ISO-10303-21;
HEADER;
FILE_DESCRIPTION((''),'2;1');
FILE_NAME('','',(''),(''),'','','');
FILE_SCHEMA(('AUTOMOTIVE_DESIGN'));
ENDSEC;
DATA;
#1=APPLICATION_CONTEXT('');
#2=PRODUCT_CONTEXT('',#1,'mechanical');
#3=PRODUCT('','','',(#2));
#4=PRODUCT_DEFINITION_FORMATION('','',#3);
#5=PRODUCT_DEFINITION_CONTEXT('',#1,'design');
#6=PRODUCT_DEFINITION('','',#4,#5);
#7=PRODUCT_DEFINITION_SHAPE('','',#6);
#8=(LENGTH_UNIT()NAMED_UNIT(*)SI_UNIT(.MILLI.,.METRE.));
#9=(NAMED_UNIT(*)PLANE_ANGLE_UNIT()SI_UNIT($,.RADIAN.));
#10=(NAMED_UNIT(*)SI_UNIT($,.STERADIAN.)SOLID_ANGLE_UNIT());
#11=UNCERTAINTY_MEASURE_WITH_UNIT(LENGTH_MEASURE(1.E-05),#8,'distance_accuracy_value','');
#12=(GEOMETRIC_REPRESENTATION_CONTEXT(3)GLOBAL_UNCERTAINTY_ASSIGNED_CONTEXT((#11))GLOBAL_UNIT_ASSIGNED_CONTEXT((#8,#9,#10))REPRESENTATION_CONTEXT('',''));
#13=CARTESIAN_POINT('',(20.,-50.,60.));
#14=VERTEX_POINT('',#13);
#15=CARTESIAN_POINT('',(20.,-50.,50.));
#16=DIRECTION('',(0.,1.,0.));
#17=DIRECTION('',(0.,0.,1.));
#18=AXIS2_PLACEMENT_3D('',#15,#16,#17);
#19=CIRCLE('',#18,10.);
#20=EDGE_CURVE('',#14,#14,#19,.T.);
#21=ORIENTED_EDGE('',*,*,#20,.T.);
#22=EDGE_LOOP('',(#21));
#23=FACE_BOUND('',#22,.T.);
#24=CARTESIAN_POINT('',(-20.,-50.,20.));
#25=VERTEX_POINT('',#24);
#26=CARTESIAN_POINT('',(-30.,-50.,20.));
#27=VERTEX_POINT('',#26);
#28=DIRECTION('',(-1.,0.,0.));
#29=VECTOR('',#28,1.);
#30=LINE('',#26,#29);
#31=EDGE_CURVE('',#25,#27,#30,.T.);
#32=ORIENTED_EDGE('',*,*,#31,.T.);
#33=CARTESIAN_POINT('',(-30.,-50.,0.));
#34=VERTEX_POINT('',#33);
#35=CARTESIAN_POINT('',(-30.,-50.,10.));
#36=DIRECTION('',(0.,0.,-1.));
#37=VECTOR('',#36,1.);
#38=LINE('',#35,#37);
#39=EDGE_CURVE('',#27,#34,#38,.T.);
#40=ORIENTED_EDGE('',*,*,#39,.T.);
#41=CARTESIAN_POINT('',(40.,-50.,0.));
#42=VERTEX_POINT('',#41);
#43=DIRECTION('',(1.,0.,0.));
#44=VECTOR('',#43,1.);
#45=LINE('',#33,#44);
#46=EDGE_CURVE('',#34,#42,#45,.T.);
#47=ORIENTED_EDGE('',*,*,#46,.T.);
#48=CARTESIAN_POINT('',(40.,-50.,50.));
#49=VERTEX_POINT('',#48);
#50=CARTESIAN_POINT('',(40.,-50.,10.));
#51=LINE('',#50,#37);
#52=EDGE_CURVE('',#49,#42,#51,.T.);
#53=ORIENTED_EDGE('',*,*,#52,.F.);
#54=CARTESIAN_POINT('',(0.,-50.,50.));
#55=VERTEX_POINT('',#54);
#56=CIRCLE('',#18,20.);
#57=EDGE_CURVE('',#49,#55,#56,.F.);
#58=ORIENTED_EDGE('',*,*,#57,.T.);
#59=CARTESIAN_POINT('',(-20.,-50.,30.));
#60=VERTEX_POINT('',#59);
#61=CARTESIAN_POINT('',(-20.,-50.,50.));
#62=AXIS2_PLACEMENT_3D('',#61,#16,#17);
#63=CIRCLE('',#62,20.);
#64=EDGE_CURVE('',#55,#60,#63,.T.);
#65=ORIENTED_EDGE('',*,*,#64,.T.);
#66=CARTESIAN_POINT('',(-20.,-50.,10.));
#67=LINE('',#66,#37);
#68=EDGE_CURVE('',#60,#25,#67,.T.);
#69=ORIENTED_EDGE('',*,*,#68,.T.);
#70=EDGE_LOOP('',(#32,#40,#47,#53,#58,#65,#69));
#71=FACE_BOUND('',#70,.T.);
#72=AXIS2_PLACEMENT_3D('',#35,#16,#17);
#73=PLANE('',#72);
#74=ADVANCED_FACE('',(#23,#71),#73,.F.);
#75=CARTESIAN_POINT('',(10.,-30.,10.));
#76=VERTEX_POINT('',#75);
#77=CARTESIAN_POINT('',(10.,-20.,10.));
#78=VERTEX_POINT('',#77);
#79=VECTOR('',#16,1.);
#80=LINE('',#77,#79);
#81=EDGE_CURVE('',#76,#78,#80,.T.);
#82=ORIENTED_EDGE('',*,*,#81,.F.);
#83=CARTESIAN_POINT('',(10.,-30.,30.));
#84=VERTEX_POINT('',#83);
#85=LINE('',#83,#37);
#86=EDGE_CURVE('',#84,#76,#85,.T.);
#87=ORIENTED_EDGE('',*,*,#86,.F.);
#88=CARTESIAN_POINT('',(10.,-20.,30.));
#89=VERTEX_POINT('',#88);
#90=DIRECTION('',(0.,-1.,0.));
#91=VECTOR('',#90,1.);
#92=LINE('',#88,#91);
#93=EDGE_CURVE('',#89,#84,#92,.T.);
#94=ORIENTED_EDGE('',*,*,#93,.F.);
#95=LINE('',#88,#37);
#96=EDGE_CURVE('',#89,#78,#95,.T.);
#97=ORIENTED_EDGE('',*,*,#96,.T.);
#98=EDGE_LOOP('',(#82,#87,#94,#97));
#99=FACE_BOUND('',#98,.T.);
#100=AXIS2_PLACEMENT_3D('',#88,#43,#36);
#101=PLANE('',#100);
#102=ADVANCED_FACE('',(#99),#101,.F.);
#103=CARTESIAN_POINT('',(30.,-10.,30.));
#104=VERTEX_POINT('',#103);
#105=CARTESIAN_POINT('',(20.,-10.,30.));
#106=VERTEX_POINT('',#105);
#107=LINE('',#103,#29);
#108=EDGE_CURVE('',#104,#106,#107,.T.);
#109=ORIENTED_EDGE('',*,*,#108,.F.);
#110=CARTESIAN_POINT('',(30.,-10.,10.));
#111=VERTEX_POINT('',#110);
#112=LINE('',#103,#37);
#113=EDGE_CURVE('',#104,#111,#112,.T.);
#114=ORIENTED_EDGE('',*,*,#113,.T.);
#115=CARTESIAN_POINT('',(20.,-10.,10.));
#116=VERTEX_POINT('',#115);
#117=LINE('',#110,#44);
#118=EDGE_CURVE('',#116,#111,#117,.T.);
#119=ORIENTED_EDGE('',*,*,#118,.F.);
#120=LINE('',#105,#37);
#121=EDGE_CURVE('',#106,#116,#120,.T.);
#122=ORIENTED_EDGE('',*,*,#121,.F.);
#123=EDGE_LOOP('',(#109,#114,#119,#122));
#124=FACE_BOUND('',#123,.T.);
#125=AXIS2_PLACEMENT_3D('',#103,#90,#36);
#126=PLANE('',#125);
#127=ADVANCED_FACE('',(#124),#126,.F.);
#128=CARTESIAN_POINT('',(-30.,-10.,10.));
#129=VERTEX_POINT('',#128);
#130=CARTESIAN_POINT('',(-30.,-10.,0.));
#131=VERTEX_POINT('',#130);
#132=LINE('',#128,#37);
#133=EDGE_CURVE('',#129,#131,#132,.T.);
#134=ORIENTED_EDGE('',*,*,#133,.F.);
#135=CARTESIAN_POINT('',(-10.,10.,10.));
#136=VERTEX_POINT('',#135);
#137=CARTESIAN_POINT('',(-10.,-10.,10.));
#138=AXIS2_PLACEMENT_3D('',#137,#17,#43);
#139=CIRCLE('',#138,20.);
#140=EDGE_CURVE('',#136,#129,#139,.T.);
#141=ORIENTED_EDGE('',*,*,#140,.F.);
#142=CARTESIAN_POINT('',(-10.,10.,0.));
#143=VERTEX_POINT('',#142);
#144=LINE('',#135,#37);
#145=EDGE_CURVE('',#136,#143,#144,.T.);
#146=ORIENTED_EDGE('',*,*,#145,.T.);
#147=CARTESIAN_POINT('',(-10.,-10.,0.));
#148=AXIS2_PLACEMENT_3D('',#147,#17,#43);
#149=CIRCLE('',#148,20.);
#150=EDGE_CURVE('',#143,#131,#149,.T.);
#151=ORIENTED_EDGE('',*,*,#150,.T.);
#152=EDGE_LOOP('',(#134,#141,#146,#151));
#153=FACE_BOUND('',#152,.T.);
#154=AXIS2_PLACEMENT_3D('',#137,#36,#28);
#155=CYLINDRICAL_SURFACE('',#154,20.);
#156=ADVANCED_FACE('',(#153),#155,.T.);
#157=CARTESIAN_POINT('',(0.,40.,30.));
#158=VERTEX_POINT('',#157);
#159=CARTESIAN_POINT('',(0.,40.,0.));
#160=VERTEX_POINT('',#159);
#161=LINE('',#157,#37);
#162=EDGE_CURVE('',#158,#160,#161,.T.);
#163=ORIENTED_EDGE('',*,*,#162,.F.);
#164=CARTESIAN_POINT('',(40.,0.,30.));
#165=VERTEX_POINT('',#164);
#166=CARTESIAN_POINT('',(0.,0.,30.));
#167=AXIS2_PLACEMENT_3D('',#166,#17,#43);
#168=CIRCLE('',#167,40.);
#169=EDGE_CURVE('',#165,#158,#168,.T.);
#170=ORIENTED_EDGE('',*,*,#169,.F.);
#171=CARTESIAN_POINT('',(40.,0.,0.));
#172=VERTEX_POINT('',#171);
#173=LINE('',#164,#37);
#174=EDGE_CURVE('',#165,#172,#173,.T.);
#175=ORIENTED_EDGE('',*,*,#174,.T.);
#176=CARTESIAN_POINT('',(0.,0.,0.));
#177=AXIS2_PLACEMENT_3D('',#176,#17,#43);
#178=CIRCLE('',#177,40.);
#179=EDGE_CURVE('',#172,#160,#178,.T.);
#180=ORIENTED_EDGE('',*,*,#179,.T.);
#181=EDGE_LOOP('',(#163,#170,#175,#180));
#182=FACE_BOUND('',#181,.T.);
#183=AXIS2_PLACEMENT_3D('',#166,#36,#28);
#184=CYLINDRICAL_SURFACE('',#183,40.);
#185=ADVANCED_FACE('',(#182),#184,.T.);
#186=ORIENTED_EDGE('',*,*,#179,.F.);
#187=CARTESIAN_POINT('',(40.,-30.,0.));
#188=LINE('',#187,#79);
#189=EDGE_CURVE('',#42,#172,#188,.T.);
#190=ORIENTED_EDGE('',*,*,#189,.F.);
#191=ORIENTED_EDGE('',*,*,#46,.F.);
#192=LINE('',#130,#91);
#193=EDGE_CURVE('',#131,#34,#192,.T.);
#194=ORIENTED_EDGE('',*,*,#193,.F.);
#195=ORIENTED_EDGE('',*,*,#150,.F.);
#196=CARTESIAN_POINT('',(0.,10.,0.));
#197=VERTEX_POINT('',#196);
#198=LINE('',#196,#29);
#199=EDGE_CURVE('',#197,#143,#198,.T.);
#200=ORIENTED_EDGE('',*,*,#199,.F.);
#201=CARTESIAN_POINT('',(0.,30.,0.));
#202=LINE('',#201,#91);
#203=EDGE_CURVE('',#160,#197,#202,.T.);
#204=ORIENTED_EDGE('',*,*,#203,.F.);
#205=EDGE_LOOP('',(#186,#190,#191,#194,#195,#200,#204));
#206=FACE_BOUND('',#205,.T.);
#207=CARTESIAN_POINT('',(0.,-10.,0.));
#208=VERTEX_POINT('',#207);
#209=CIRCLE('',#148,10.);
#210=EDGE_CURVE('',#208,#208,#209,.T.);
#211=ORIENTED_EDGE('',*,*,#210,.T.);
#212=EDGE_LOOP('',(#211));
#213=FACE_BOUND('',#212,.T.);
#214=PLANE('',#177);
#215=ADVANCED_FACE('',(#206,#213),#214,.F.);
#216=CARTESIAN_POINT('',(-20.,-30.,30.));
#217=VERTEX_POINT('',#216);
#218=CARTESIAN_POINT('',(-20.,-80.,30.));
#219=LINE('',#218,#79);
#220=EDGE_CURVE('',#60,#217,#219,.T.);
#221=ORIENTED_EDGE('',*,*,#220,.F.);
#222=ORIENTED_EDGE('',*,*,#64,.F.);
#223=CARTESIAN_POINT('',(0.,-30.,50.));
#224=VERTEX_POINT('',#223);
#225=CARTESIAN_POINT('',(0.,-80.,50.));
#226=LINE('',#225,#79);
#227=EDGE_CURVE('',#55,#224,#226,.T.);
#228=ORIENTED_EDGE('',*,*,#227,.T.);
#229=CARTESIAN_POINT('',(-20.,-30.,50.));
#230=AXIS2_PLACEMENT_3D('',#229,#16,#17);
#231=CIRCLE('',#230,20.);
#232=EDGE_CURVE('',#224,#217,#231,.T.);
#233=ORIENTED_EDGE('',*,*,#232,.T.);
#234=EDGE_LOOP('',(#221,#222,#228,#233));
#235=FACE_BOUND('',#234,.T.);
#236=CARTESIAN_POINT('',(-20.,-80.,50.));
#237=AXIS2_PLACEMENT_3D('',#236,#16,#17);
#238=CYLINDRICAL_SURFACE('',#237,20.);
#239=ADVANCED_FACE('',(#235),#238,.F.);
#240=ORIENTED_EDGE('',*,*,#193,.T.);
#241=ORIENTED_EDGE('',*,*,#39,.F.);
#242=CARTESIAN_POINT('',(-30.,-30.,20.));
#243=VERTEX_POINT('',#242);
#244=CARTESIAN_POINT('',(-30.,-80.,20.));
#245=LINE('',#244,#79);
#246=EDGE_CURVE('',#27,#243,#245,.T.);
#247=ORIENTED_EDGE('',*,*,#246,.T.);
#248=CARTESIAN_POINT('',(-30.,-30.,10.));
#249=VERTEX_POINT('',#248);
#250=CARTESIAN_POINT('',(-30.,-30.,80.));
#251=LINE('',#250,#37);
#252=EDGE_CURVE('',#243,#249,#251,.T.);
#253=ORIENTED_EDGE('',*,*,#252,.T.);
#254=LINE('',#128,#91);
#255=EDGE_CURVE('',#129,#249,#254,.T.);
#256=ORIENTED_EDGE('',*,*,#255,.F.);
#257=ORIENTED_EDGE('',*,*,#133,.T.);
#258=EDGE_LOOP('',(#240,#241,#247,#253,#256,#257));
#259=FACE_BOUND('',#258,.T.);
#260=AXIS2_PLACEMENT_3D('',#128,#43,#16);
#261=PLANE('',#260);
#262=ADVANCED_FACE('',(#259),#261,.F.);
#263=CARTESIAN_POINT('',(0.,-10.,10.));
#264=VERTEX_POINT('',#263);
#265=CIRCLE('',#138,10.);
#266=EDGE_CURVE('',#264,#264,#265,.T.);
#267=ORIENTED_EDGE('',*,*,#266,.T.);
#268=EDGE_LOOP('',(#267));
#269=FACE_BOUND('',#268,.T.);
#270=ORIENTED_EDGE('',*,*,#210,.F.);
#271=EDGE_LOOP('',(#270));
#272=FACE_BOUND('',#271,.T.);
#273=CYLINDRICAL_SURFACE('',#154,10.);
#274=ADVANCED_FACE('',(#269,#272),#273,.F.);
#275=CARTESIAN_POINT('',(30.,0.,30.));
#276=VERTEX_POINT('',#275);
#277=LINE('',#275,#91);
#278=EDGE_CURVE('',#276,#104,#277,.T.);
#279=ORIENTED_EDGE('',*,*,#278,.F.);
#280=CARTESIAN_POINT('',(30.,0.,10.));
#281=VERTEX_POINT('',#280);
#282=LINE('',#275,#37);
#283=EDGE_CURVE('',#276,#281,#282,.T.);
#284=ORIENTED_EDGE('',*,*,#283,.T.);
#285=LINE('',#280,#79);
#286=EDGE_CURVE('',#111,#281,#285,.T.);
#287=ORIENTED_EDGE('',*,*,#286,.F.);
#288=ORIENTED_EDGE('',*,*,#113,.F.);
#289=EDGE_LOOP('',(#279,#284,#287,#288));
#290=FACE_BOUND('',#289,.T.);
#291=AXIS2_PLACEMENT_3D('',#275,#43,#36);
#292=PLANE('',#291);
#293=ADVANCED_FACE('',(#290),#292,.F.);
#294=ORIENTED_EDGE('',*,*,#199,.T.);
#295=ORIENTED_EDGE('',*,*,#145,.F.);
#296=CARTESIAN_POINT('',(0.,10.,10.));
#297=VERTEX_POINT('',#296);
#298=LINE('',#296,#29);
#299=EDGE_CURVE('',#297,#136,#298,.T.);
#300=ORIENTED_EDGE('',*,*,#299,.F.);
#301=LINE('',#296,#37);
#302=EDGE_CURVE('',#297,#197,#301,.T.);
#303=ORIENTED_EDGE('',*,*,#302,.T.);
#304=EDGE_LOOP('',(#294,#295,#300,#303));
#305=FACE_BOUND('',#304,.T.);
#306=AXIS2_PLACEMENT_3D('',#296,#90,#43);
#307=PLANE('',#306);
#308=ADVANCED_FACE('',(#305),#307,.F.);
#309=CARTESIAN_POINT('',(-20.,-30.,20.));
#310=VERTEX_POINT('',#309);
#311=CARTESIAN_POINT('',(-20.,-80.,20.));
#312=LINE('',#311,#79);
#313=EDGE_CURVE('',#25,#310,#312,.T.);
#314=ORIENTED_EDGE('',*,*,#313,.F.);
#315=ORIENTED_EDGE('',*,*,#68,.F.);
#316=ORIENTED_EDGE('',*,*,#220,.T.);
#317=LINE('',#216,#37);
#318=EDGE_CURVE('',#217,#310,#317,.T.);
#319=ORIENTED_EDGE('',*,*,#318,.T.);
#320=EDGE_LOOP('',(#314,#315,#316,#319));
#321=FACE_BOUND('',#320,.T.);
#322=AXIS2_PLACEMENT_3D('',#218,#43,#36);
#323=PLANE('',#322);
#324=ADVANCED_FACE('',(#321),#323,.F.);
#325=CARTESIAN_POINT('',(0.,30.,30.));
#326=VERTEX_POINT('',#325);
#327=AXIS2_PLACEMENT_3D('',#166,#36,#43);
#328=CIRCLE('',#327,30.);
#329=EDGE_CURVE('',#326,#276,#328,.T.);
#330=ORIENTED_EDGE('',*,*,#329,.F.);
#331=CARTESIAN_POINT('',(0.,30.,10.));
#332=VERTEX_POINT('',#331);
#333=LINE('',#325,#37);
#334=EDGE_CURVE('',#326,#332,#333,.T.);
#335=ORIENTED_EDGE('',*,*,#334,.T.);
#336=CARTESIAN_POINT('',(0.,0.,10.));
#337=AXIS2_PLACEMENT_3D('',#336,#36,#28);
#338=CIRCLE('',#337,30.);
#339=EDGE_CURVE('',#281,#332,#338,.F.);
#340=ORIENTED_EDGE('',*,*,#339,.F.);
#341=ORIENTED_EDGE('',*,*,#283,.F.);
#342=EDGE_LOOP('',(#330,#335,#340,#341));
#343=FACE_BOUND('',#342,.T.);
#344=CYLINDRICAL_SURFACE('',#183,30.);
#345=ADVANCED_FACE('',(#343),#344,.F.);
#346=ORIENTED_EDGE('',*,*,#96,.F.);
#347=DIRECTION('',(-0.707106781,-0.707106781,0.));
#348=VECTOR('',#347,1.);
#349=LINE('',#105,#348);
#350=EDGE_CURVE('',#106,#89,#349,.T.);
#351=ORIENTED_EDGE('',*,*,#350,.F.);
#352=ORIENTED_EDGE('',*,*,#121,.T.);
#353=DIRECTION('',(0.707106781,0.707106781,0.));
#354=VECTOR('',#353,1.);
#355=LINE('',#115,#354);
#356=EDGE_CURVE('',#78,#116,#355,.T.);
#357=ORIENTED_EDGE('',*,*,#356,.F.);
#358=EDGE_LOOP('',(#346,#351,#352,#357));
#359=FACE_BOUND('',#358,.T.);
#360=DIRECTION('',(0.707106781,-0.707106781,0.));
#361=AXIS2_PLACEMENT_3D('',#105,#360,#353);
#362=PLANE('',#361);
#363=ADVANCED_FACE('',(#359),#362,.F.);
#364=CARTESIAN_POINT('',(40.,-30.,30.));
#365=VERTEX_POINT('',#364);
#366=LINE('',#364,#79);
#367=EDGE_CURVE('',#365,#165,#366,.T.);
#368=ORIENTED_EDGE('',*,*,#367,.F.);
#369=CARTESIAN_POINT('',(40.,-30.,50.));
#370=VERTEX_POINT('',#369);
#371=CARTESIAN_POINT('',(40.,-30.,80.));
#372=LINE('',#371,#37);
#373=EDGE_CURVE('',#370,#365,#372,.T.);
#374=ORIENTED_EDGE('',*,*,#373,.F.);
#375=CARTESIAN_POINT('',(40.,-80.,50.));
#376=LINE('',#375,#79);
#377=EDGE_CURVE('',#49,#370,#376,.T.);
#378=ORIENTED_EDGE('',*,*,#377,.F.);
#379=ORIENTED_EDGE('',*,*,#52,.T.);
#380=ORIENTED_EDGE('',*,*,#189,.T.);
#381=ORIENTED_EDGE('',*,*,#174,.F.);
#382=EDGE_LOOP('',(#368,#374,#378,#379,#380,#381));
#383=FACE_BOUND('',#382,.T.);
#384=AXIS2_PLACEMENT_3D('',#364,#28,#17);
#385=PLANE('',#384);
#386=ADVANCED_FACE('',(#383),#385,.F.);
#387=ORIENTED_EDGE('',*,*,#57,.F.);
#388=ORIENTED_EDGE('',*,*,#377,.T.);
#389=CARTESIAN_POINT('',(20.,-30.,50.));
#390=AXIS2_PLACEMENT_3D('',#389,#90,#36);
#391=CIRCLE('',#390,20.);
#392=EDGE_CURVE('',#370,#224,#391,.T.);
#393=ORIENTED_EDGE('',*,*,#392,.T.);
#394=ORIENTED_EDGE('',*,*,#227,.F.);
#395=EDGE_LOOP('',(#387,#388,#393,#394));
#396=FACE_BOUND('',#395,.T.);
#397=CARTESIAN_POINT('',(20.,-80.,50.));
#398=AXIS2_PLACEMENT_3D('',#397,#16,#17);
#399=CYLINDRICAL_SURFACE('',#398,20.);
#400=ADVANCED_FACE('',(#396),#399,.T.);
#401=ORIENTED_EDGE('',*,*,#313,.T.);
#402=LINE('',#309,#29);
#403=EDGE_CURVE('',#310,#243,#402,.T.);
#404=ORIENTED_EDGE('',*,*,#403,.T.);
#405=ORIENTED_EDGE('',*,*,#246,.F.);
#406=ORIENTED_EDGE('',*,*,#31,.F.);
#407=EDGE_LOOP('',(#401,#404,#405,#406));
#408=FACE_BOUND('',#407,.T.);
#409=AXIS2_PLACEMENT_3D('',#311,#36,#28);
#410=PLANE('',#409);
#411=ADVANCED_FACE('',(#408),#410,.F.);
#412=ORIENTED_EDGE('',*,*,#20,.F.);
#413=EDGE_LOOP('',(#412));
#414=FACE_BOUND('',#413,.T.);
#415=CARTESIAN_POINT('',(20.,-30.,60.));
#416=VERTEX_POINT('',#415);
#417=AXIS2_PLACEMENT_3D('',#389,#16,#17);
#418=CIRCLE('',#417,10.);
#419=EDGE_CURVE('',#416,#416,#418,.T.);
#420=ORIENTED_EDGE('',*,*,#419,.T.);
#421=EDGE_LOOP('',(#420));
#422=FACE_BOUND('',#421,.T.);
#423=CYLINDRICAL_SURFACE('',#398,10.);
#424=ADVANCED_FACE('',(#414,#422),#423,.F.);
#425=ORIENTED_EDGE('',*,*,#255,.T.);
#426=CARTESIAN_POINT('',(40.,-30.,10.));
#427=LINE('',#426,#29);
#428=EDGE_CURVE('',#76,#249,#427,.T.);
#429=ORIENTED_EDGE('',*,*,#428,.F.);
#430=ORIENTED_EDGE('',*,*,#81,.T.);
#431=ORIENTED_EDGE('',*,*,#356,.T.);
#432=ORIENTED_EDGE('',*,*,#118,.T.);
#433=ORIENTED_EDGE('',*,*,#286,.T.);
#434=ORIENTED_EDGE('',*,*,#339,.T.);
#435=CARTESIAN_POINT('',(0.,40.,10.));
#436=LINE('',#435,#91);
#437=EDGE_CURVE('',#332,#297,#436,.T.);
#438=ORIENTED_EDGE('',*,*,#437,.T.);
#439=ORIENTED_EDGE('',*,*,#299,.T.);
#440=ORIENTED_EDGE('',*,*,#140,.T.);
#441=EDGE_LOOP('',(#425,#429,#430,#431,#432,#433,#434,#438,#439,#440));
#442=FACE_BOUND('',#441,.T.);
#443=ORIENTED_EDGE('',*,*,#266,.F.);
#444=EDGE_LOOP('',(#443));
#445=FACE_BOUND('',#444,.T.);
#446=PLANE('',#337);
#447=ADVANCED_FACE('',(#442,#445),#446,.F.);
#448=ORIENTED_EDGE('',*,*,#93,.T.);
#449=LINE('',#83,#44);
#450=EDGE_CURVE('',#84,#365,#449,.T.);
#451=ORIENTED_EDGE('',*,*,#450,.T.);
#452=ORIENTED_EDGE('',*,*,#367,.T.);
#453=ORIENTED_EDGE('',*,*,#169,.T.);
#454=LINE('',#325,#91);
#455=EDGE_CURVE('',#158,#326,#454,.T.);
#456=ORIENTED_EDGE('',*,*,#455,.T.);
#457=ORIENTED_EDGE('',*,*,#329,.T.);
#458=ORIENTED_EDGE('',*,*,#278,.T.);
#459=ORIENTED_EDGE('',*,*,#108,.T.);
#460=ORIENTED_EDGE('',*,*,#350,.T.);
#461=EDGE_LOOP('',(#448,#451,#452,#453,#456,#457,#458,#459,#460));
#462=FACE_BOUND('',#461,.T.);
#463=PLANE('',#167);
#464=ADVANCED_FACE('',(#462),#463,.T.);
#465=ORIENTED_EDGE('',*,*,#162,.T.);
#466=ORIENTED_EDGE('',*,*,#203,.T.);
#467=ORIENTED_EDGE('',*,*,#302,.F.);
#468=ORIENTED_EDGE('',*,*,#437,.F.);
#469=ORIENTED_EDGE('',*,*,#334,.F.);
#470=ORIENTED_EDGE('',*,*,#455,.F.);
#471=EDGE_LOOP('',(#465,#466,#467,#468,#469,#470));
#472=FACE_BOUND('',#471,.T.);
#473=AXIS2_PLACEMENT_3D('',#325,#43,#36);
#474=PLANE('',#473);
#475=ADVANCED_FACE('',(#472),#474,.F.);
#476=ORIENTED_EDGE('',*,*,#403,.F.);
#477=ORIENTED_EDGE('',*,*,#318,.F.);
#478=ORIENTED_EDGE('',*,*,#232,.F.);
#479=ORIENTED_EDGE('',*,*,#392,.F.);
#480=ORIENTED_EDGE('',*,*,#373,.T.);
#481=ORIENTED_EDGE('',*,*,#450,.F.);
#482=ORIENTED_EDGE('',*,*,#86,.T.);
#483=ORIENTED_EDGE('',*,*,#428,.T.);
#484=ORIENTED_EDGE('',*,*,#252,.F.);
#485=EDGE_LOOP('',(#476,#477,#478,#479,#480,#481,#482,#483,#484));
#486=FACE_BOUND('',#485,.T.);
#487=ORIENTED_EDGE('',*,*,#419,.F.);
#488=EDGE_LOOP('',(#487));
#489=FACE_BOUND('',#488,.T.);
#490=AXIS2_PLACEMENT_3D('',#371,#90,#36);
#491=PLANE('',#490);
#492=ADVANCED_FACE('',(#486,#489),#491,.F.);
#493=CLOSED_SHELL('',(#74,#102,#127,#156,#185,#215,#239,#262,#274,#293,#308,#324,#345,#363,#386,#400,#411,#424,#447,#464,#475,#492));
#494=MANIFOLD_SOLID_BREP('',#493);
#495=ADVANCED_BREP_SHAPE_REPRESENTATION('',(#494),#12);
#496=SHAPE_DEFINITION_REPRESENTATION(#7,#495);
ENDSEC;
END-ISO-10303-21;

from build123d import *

# Parameters (mm, degrees)
BOSS_EXTRUDE1_DEPTH = 30
SKETCH2_R           = 10
BOSS_EXTRUDE2_DEPTH = 10
SKETCH3_W           = 70
SKETCH3_H           = 20
BOSS_EXTRUDE3_DEPTH = 70
CUT_EXTRUDE1_DEPTH  = 50
SKETCH6_R           = 10
CUT_EXTRUDE2_DEPTH  = 50


with BuildPart() as part:
    # Sketch1 → Boss-Extrude1 (new body)
    with BuildSketch(Plane.XY):
        with BuildLine():
            Line((0, 30), (0, 40))
            ThreePointArc((0, 40), (28.284271247, 28.284271247), (40, 0))
            Line((40, 0), (40, -30))
            Line((40, -30), (10, -30))
            Line((10, -30), (10, -20))
            Line((10, -20), (20, -10))
            Line((20, -10), (30, -10))
            Line((30, -10), (30, 0))
            ThreePointArc((30, 0), (21.213203436, 21.213203436), (0, 30))
        make_face()
    extrude(amount=BOSS_EXTRUDE1_DEPTH)

    # Sketch2 → Boss-Extrude2 (add)
    with BuildSketch(Plane.XY):
        with BuildLine():
            Line((0, 40), (0, 10))
            Line((0, 10), (-10, 10))
            ThreePointArc((-10, 10), (-24.142135624, 4.142135624), (-30, -10))
            Line((-30, -10), (-30, -50))
            Line((-30, -50), (40, -50))
            Line((40, -50), (40, 0))
            ThreePointArc((40, 0), (28.284271247, 28.284271247), (0, 40))
        make_face()
        with Locations((-10, -10)):
            Circle(SKETCH2_R, mode=Mode.SUBTRACT)
    extrude(amount=BOSS_EXTRUDE2_DEPTH)

    # Sketch3 → Boss-Extrude3 (add)
    with BuildSketch(Plane.XY.offset(10)):
        with Locations((5, -40)):
            Rectangle(SKETCH3_W, SKETCH3_H)
    extrude(amount=BOSS_EXTRUDE3_DEPTH)

    # Sketch4 → Cut-Extrude1 (cut)
    with BuildSketch(Plane(origin=(0, -30, 0), x_dir=(1, 0, 0), z_dir=(0, 1, 0))):
        with BuildLine():
            Line((-20, -30), (-20, -20))
            Line((-20, -20), (-30, -20))
            Line((-30, -20), (-30, -80))
            Line((-30, -80), (40, -80))
            Line((40, -80), (40, -50))
            ThreePointArc((40, -50), (20, -70), (0, -50))
            ThreePointArc((0, -50), (-5.857864376, -35.857864376), (-20, -30))
        make_face()
    extrude(amount=-CUT_EXTRUDE1_DEPTH, mode=Mode.SUBTRACT)

    # Sketch6 → Cut-Extrude2 (cut)
    with BuildSketch(Plane(origin=(0, -30, 0), x_dir=(1, 0, 0), z_dir=(0, 1, 0))):
        with Locations((20, -50)):
            Circle(SKETCH6_R)
    extrude(amount=-CUT_EXTRUDE2_DEPTH, mode=Mode.SUBTRACT)


solid = part.part
